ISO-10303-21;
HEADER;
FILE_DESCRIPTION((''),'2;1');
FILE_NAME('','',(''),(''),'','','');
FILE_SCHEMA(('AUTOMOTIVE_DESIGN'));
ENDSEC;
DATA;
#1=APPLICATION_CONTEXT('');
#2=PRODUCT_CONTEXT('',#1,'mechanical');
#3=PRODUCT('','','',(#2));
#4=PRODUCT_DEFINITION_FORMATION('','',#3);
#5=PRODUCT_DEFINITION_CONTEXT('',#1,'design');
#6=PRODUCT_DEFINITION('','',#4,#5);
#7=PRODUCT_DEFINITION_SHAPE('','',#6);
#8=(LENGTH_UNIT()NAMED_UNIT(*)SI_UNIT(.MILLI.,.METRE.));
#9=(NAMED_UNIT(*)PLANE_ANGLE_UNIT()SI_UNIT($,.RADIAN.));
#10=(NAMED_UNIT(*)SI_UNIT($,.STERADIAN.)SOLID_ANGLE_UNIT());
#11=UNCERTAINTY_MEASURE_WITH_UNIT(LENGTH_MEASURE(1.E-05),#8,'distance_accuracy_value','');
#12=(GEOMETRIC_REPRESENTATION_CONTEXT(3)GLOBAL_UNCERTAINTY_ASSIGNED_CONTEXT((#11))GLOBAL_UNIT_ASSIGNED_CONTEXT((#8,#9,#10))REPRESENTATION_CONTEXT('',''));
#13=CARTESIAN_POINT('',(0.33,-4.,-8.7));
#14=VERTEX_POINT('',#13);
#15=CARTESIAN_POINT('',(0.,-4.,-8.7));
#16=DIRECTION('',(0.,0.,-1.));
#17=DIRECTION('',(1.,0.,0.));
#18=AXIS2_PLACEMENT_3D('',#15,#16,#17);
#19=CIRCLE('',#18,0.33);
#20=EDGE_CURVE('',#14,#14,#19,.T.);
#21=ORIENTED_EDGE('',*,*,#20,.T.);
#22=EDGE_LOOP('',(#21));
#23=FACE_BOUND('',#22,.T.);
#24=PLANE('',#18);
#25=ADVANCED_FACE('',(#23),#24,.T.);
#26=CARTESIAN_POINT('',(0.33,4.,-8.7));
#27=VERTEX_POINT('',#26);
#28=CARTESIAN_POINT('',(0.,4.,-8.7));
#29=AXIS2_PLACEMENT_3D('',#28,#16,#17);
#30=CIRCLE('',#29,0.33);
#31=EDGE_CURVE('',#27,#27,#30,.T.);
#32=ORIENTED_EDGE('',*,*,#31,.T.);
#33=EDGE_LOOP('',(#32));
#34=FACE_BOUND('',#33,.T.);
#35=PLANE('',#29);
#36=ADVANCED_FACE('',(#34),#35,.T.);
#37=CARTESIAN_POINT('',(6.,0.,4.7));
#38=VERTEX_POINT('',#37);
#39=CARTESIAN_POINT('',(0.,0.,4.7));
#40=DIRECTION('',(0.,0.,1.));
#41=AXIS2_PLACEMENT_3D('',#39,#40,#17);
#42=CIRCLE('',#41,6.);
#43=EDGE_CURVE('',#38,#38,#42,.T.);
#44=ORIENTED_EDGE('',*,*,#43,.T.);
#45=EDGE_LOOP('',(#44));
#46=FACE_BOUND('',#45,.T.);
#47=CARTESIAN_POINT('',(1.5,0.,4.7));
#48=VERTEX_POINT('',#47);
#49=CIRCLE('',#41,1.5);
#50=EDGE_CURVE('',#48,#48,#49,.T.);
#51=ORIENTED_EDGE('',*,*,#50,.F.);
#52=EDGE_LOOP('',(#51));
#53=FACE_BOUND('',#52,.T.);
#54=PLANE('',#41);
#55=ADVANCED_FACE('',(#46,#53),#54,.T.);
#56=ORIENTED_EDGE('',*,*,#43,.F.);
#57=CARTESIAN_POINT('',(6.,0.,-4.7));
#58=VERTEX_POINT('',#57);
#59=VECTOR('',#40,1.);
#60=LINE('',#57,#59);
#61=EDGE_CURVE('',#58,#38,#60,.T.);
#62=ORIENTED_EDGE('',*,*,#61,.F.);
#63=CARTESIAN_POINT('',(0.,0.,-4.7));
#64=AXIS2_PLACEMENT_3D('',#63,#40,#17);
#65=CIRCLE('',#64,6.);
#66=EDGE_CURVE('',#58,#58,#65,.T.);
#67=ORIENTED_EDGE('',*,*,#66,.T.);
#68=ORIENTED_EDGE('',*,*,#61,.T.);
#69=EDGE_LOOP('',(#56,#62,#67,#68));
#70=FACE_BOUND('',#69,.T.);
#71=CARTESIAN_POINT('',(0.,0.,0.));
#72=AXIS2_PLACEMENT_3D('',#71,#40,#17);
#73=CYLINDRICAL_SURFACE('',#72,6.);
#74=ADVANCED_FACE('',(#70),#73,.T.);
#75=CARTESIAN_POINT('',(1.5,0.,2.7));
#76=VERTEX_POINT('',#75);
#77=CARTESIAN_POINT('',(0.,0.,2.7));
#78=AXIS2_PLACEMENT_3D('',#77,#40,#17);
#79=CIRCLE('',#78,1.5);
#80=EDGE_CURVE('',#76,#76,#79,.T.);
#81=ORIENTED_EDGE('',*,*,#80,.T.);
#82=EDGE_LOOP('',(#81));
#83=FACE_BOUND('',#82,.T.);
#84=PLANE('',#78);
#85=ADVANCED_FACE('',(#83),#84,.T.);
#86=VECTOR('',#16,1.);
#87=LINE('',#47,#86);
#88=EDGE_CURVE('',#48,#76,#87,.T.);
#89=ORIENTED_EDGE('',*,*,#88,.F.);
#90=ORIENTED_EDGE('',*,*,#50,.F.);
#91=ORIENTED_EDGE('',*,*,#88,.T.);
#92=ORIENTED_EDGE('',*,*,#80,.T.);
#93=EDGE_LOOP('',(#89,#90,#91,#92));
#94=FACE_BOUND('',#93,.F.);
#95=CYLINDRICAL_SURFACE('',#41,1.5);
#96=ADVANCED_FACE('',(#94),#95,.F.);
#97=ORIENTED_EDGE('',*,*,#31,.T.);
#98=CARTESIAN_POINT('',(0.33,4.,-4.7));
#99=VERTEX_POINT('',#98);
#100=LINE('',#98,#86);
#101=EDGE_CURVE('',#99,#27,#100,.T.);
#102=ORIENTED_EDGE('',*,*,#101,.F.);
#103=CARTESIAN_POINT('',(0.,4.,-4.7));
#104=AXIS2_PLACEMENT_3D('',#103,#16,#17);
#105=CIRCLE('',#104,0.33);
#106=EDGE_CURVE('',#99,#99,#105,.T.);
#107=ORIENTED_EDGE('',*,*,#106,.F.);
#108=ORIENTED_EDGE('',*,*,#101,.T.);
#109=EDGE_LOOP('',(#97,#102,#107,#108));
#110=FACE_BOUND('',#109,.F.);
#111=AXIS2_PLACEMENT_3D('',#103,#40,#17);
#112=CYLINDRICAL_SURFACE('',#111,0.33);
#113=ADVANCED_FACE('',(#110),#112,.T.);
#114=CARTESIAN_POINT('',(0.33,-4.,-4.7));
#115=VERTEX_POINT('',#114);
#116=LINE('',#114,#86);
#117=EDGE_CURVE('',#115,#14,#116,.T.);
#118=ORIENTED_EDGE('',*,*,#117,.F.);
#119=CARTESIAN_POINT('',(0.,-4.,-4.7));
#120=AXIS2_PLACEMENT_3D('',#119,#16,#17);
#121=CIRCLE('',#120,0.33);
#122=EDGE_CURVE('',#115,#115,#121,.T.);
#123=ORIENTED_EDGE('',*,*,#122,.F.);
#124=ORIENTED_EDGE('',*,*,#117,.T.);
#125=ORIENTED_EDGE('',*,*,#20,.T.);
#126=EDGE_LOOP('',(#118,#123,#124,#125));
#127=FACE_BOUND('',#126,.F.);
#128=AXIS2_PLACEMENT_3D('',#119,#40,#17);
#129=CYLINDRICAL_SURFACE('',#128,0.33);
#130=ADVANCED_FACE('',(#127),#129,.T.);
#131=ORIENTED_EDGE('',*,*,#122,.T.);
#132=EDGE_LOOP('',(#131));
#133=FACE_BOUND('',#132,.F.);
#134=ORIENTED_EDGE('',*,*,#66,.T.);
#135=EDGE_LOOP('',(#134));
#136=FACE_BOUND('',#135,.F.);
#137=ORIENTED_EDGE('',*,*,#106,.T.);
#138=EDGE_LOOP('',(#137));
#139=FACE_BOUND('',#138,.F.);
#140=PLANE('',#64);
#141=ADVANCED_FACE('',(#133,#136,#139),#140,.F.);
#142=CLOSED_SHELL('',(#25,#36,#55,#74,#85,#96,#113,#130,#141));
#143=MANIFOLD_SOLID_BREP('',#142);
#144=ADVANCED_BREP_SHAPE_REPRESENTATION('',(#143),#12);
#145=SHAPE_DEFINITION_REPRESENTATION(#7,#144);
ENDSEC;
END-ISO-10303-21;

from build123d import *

# Parameters (mm, degrees)
F0_R     = 6
F1_DEPTH = 4.7
F2_R     = 1.5
F3_DEPTH = 2
F4_R     = 0.33
F5_DEPTH = 4


with BuildPart() as f1:
    # F0 (on Top) → F1 (new body, symmetric)
    with BuildSketch(Plane.XY):
        Circle(F0_R)
    extrude(amount=F1_DEPTH, both=True)

    # F2 (on face) → F3 (cut)
    with BuildSketch(Plane.XY.offset(4.7)):
        Circle(F2_R)
    extrude(amount=-F3_DEPTH, mode=Mode.SUBTRACT)

    # F4 (on face) → F5 (join)
    with BuildSketch(Plane(origin=(0, 0, -4.7), x_dir=(1, 0, 0), z_dir=(0, 0, -1))):
        with Locations((0, 4)):
            Circle(F4_R)
        with Locations((0, -4)):
            Circle(F4_R)
    extrude(amount=F5_DEPTH)


solid = f1.part
